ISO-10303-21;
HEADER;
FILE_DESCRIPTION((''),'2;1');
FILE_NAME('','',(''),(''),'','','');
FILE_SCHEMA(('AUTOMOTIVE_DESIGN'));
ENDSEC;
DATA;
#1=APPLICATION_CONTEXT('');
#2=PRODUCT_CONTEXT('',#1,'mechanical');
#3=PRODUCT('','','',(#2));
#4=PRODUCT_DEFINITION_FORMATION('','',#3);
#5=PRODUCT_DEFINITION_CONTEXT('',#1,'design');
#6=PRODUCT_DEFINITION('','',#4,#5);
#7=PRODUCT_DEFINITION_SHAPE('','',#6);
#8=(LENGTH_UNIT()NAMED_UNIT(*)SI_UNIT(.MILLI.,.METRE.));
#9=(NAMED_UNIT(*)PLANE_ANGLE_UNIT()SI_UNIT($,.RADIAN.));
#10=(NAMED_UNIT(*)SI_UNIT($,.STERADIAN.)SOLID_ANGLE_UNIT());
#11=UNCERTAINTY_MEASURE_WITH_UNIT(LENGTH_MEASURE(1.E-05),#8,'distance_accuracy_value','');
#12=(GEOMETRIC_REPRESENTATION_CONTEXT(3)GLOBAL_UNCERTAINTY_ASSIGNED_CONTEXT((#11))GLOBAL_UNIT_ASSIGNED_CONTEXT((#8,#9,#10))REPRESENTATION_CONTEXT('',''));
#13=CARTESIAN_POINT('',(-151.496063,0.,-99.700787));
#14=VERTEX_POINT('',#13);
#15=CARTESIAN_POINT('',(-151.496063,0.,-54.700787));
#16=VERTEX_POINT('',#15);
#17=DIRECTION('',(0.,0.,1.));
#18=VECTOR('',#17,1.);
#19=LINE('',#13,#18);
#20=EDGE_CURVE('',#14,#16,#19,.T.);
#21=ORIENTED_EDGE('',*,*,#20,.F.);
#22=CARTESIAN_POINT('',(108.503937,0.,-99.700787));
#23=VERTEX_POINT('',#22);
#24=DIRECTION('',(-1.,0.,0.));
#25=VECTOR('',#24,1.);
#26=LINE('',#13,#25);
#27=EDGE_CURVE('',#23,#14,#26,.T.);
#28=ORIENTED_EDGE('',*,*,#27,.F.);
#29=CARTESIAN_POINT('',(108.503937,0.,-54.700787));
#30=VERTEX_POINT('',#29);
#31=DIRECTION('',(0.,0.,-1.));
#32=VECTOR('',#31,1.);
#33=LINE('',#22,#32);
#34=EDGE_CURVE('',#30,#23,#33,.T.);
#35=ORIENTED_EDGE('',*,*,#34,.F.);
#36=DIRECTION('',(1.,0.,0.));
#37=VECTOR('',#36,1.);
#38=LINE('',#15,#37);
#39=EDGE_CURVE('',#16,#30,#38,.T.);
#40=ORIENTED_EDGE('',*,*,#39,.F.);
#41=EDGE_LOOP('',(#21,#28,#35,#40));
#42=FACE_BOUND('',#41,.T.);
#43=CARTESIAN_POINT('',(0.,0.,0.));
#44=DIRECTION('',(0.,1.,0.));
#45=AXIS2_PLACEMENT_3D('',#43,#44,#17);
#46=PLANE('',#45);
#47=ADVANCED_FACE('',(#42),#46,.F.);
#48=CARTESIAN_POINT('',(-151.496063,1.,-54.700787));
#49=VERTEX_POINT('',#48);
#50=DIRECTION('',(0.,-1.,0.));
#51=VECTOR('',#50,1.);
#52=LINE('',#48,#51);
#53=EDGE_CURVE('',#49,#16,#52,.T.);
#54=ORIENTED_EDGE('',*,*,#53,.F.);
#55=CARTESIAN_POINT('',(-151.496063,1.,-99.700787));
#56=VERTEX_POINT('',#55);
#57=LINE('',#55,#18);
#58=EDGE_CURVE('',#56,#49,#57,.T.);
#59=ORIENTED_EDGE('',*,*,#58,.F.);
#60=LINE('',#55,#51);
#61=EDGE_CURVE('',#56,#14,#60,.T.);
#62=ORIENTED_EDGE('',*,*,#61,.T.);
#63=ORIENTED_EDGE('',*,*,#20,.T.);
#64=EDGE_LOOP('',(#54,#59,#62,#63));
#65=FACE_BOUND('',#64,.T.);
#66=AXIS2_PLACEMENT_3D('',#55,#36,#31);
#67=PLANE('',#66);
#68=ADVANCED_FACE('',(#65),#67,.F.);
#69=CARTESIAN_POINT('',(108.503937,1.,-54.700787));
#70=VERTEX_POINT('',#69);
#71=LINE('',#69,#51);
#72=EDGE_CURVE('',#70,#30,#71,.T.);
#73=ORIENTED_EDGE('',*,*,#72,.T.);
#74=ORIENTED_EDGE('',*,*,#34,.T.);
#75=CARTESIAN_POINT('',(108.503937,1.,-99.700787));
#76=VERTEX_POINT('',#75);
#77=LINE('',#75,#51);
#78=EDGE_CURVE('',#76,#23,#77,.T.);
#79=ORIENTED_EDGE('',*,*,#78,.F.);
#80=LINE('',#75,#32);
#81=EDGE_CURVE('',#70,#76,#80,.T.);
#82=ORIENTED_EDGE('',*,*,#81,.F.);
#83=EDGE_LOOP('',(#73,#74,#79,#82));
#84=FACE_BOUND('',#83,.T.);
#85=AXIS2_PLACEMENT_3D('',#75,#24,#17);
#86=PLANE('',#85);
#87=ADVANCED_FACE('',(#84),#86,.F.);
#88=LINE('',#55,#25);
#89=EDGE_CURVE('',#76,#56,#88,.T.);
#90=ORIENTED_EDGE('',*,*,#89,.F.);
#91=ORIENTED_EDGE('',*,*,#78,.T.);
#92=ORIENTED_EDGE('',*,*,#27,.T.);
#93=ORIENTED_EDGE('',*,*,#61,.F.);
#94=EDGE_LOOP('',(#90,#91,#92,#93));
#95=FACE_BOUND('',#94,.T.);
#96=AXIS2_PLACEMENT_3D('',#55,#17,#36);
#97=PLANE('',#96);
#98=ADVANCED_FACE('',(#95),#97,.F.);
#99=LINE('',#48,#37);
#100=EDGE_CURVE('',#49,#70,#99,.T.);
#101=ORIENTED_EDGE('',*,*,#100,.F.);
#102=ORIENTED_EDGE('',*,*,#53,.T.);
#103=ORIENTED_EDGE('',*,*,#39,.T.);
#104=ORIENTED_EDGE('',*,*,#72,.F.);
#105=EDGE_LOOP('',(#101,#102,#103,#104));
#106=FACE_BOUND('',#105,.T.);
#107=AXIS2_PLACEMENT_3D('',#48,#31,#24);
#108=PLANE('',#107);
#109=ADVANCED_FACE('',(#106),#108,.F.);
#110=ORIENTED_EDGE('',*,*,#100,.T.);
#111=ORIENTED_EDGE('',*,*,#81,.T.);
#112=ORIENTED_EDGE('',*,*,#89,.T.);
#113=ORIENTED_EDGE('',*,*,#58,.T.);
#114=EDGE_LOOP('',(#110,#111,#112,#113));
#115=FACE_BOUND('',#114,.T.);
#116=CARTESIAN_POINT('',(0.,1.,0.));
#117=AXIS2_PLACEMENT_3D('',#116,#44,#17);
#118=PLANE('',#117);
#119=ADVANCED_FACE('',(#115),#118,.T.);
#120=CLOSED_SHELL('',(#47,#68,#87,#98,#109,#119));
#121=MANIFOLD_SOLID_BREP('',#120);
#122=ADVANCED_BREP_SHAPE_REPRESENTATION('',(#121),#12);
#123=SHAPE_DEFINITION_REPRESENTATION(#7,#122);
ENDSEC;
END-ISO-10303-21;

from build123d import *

# Parameters (mm, degrees)
SKETCH1_W           = 260
SKETCH1_H           = 45
BOSS_EXTRUDE1_DEPTH = 1


with BuildPart() as part:
    # Sketch1 → Boss-Extrude1 (new body)
    with BuildSketch(Plane(origin=(0, 0, 0), x_dir=(1, 0, 0), z_dir=(0, 1, 0))):
        with Locations((-21.496062992, 77.200787402)):
            Rectangle(SKETCH1_W, SKETCH1_H)
    extrude(amount=BOSS_EXTRUDE1_DEPTH)


solid = part.part
